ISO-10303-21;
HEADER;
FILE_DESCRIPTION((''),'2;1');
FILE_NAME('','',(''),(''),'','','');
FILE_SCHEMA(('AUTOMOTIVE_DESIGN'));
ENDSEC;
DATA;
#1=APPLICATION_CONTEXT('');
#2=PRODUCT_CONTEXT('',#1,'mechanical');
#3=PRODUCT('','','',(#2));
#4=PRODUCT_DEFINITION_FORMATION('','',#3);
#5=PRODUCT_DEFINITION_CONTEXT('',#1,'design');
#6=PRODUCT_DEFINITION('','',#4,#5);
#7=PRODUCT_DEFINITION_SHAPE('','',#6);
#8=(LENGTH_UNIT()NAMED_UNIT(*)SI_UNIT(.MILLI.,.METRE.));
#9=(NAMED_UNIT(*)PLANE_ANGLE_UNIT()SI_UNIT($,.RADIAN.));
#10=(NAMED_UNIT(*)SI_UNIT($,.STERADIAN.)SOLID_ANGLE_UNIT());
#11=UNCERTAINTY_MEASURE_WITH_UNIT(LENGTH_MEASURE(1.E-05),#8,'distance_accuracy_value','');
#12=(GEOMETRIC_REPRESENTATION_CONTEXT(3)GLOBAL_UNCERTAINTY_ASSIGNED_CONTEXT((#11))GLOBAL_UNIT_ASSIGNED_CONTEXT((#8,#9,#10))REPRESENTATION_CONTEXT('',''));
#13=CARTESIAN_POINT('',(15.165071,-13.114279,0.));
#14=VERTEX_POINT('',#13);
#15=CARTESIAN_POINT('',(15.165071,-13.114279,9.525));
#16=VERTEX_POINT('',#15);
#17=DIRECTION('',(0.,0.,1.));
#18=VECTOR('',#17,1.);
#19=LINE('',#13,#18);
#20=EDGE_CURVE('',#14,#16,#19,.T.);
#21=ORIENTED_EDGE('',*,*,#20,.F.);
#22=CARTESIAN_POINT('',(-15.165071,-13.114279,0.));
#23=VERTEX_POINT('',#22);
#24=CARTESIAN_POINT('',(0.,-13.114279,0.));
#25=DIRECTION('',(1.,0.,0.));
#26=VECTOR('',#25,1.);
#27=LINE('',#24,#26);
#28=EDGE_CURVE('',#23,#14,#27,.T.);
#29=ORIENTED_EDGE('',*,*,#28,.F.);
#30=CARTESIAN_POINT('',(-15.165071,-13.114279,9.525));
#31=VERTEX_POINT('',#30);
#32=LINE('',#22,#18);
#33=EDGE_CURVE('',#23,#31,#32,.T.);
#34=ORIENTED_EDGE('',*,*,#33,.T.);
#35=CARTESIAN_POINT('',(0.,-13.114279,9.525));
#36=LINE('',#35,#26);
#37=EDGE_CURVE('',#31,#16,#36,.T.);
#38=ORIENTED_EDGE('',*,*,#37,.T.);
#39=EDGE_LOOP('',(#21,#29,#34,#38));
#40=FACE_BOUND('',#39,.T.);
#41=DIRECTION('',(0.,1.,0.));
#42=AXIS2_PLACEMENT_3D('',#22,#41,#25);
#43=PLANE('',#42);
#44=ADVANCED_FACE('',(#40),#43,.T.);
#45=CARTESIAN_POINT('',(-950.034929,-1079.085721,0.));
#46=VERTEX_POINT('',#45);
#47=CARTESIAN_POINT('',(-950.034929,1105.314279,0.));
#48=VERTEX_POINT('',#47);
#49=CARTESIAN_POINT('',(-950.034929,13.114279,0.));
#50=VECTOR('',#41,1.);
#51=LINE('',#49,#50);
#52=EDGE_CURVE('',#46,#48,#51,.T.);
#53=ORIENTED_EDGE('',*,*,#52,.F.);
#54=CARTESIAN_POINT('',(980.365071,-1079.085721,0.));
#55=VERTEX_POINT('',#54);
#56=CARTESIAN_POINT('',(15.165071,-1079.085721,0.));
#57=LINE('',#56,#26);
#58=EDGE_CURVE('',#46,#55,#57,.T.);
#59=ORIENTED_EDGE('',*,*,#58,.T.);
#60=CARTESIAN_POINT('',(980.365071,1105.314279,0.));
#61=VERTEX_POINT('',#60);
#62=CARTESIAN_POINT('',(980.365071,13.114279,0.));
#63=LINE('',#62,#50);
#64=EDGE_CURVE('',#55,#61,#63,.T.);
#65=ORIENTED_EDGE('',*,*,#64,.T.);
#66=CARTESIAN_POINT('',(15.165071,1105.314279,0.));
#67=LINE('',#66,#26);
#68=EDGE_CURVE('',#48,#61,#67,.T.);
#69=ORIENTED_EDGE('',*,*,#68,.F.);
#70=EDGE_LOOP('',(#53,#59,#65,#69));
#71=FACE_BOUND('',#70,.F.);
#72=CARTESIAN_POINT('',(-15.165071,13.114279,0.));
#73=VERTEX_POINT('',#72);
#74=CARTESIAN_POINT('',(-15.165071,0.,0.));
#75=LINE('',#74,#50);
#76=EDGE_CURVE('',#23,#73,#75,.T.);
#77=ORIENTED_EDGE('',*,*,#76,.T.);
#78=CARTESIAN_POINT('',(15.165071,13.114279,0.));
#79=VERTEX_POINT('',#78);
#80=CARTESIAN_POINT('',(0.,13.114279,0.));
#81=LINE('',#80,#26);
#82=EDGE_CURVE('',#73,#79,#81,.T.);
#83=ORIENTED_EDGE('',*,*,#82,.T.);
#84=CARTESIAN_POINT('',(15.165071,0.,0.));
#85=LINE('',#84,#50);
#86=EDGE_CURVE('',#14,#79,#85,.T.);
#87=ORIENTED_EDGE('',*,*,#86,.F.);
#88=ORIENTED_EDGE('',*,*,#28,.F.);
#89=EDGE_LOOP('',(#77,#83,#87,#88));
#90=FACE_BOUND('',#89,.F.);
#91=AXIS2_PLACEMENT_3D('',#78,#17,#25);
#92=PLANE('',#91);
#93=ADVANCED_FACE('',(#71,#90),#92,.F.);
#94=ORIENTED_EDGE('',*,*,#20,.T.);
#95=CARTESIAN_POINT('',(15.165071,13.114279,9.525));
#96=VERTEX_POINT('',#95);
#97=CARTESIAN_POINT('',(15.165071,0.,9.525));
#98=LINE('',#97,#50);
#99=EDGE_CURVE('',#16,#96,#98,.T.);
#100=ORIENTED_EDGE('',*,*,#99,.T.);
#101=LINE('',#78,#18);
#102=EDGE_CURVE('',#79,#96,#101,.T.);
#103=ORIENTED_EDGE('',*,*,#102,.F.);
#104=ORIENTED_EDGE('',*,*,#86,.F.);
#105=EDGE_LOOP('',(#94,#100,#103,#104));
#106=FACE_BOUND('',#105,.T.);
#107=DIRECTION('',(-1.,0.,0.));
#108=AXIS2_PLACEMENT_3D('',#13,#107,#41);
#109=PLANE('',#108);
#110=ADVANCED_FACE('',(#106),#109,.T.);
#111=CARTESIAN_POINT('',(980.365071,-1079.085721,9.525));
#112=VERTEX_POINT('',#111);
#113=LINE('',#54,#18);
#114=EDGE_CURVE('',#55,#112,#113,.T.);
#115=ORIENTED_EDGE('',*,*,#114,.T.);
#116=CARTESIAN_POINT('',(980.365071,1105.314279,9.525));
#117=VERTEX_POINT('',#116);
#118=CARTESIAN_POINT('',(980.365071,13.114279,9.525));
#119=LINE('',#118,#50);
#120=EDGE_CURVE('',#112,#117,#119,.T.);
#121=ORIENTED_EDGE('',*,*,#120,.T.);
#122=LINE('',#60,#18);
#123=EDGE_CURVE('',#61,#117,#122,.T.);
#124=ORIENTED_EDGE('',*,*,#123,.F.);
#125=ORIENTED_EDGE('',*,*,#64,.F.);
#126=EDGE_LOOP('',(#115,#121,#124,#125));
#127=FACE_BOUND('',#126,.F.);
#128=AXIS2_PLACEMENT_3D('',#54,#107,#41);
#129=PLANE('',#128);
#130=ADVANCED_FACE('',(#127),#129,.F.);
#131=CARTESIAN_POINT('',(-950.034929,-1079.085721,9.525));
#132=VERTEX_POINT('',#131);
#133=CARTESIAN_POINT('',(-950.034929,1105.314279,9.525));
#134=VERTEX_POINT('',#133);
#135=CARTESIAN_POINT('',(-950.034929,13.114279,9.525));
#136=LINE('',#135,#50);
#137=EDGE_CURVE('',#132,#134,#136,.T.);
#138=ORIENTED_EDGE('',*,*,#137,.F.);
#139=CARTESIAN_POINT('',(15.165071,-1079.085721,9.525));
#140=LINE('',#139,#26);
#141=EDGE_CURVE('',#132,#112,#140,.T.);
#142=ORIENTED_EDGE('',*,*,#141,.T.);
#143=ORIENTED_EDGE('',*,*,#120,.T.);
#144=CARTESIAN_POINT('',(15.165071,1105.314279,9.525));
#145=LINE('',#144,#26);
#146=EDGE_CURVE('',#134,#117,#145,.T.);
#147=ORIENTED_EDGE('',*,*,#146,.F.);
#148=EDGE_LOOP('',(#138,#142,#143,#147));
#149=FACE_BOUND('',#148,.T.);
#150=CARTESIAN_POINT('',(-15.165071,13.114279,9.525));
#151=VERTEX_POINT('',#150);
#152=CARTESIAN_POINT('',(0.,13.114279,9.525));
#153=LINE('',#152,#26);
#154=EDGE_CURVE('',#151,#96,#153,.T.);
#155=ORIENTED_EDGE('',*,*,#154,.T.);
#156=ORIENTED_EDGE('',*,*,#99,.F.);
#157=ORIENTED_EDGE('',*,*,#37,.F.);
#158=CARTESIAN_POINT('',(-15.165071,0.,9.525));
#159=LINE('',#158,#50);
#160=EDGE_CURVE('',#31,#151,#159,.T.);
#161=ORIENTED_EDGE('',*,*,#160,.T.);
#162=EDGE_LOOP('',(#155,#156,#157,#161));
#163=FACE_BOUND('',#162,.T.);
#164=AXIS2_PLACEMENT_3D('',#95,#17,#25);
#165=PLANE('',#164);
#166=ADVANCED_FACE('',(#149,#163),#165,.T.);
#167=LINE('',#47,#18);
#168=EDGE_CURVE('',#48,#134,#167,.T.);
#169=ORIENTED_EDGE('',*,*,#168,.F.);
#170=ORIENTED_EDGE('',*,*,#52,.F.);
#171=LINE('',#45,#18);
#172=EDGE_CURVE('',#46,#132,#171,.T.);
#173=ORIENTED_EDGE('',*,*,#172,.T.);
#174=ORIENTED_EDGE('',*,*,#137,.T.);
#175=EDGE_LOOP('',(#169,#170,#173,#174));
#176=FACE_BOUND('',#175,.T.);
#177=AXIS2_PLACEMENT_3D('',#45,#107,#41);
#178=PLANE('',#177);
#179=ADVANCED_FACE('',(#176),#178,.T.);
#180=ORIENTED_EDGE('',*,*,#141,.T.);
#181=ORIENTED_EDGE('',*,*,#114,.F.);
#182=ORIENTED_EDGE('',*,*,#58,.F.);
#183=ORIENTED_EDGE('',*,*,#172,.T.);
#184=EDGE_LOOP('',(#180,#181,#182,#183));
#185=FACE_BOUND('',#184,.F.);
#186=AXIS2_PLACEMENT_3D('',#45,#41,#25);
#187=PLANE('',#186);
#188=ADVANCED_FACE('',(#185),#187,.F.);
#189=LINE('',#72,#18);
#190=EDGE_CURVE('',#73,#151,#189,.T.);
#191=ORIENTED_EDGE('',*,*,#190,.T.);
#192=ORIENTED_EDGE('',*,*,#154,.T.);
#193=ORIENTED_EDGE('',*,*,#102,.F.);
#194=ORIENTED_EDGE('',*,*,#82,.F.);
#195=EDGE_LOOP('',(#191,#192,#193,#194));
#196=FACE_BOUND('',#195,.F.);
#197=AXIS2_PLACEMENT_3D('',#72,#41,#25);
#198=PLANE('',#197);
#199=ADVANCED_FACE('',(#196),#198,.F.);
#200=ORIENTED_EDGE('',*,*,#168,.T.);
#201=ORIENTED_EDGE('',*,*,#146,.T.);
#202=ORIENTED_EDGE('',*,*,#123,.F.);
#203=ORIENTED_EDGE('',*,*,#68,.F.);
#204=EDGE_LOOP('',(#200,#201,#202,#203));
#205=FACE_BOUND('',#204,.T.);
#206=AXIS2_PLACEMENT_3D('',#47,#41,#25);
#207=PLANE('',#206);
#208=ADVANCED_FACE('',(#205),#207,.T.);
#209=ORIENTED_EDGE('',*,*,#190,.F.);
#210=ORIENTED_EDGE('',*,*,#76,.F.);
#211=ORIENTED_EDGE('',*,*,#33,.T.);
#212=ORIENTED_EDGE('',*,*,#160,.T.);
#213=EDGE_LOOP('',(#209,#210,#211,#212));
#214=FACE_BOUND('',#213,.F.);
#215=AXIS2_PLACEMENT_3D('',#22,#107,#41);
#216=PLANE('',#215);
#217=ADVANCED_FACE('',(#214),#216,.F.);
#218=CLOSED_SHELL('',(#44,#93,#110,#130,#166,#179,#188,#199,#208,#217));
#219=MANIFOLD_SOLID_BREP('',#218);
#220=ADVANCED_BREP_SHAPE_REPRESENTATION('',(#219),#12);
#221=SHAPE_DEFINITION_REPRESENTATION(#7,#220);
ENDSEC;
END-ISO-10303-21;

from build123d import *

# Parameters (mm, degrees)
F0_W     = 1930.4
F0_H     = 2184.4
F0_W_2   = 30.330142
F0_H_2   = 26.228558
F1_DEPTH = 9.525


with BuildPart() as f1:
    # F0 (on Top) → F1 (new body)
    with BuildSketch(Plane.XY):
        with Locations((15.165071, 13.114279)):
            Rectangle(F0_W, F0_H)
        Rectangle(F0_W_2, F0_H_2, mode=Mode.SUBTRACT)
    extrude(amount=F1_DEPTH)


solid = f1.part
